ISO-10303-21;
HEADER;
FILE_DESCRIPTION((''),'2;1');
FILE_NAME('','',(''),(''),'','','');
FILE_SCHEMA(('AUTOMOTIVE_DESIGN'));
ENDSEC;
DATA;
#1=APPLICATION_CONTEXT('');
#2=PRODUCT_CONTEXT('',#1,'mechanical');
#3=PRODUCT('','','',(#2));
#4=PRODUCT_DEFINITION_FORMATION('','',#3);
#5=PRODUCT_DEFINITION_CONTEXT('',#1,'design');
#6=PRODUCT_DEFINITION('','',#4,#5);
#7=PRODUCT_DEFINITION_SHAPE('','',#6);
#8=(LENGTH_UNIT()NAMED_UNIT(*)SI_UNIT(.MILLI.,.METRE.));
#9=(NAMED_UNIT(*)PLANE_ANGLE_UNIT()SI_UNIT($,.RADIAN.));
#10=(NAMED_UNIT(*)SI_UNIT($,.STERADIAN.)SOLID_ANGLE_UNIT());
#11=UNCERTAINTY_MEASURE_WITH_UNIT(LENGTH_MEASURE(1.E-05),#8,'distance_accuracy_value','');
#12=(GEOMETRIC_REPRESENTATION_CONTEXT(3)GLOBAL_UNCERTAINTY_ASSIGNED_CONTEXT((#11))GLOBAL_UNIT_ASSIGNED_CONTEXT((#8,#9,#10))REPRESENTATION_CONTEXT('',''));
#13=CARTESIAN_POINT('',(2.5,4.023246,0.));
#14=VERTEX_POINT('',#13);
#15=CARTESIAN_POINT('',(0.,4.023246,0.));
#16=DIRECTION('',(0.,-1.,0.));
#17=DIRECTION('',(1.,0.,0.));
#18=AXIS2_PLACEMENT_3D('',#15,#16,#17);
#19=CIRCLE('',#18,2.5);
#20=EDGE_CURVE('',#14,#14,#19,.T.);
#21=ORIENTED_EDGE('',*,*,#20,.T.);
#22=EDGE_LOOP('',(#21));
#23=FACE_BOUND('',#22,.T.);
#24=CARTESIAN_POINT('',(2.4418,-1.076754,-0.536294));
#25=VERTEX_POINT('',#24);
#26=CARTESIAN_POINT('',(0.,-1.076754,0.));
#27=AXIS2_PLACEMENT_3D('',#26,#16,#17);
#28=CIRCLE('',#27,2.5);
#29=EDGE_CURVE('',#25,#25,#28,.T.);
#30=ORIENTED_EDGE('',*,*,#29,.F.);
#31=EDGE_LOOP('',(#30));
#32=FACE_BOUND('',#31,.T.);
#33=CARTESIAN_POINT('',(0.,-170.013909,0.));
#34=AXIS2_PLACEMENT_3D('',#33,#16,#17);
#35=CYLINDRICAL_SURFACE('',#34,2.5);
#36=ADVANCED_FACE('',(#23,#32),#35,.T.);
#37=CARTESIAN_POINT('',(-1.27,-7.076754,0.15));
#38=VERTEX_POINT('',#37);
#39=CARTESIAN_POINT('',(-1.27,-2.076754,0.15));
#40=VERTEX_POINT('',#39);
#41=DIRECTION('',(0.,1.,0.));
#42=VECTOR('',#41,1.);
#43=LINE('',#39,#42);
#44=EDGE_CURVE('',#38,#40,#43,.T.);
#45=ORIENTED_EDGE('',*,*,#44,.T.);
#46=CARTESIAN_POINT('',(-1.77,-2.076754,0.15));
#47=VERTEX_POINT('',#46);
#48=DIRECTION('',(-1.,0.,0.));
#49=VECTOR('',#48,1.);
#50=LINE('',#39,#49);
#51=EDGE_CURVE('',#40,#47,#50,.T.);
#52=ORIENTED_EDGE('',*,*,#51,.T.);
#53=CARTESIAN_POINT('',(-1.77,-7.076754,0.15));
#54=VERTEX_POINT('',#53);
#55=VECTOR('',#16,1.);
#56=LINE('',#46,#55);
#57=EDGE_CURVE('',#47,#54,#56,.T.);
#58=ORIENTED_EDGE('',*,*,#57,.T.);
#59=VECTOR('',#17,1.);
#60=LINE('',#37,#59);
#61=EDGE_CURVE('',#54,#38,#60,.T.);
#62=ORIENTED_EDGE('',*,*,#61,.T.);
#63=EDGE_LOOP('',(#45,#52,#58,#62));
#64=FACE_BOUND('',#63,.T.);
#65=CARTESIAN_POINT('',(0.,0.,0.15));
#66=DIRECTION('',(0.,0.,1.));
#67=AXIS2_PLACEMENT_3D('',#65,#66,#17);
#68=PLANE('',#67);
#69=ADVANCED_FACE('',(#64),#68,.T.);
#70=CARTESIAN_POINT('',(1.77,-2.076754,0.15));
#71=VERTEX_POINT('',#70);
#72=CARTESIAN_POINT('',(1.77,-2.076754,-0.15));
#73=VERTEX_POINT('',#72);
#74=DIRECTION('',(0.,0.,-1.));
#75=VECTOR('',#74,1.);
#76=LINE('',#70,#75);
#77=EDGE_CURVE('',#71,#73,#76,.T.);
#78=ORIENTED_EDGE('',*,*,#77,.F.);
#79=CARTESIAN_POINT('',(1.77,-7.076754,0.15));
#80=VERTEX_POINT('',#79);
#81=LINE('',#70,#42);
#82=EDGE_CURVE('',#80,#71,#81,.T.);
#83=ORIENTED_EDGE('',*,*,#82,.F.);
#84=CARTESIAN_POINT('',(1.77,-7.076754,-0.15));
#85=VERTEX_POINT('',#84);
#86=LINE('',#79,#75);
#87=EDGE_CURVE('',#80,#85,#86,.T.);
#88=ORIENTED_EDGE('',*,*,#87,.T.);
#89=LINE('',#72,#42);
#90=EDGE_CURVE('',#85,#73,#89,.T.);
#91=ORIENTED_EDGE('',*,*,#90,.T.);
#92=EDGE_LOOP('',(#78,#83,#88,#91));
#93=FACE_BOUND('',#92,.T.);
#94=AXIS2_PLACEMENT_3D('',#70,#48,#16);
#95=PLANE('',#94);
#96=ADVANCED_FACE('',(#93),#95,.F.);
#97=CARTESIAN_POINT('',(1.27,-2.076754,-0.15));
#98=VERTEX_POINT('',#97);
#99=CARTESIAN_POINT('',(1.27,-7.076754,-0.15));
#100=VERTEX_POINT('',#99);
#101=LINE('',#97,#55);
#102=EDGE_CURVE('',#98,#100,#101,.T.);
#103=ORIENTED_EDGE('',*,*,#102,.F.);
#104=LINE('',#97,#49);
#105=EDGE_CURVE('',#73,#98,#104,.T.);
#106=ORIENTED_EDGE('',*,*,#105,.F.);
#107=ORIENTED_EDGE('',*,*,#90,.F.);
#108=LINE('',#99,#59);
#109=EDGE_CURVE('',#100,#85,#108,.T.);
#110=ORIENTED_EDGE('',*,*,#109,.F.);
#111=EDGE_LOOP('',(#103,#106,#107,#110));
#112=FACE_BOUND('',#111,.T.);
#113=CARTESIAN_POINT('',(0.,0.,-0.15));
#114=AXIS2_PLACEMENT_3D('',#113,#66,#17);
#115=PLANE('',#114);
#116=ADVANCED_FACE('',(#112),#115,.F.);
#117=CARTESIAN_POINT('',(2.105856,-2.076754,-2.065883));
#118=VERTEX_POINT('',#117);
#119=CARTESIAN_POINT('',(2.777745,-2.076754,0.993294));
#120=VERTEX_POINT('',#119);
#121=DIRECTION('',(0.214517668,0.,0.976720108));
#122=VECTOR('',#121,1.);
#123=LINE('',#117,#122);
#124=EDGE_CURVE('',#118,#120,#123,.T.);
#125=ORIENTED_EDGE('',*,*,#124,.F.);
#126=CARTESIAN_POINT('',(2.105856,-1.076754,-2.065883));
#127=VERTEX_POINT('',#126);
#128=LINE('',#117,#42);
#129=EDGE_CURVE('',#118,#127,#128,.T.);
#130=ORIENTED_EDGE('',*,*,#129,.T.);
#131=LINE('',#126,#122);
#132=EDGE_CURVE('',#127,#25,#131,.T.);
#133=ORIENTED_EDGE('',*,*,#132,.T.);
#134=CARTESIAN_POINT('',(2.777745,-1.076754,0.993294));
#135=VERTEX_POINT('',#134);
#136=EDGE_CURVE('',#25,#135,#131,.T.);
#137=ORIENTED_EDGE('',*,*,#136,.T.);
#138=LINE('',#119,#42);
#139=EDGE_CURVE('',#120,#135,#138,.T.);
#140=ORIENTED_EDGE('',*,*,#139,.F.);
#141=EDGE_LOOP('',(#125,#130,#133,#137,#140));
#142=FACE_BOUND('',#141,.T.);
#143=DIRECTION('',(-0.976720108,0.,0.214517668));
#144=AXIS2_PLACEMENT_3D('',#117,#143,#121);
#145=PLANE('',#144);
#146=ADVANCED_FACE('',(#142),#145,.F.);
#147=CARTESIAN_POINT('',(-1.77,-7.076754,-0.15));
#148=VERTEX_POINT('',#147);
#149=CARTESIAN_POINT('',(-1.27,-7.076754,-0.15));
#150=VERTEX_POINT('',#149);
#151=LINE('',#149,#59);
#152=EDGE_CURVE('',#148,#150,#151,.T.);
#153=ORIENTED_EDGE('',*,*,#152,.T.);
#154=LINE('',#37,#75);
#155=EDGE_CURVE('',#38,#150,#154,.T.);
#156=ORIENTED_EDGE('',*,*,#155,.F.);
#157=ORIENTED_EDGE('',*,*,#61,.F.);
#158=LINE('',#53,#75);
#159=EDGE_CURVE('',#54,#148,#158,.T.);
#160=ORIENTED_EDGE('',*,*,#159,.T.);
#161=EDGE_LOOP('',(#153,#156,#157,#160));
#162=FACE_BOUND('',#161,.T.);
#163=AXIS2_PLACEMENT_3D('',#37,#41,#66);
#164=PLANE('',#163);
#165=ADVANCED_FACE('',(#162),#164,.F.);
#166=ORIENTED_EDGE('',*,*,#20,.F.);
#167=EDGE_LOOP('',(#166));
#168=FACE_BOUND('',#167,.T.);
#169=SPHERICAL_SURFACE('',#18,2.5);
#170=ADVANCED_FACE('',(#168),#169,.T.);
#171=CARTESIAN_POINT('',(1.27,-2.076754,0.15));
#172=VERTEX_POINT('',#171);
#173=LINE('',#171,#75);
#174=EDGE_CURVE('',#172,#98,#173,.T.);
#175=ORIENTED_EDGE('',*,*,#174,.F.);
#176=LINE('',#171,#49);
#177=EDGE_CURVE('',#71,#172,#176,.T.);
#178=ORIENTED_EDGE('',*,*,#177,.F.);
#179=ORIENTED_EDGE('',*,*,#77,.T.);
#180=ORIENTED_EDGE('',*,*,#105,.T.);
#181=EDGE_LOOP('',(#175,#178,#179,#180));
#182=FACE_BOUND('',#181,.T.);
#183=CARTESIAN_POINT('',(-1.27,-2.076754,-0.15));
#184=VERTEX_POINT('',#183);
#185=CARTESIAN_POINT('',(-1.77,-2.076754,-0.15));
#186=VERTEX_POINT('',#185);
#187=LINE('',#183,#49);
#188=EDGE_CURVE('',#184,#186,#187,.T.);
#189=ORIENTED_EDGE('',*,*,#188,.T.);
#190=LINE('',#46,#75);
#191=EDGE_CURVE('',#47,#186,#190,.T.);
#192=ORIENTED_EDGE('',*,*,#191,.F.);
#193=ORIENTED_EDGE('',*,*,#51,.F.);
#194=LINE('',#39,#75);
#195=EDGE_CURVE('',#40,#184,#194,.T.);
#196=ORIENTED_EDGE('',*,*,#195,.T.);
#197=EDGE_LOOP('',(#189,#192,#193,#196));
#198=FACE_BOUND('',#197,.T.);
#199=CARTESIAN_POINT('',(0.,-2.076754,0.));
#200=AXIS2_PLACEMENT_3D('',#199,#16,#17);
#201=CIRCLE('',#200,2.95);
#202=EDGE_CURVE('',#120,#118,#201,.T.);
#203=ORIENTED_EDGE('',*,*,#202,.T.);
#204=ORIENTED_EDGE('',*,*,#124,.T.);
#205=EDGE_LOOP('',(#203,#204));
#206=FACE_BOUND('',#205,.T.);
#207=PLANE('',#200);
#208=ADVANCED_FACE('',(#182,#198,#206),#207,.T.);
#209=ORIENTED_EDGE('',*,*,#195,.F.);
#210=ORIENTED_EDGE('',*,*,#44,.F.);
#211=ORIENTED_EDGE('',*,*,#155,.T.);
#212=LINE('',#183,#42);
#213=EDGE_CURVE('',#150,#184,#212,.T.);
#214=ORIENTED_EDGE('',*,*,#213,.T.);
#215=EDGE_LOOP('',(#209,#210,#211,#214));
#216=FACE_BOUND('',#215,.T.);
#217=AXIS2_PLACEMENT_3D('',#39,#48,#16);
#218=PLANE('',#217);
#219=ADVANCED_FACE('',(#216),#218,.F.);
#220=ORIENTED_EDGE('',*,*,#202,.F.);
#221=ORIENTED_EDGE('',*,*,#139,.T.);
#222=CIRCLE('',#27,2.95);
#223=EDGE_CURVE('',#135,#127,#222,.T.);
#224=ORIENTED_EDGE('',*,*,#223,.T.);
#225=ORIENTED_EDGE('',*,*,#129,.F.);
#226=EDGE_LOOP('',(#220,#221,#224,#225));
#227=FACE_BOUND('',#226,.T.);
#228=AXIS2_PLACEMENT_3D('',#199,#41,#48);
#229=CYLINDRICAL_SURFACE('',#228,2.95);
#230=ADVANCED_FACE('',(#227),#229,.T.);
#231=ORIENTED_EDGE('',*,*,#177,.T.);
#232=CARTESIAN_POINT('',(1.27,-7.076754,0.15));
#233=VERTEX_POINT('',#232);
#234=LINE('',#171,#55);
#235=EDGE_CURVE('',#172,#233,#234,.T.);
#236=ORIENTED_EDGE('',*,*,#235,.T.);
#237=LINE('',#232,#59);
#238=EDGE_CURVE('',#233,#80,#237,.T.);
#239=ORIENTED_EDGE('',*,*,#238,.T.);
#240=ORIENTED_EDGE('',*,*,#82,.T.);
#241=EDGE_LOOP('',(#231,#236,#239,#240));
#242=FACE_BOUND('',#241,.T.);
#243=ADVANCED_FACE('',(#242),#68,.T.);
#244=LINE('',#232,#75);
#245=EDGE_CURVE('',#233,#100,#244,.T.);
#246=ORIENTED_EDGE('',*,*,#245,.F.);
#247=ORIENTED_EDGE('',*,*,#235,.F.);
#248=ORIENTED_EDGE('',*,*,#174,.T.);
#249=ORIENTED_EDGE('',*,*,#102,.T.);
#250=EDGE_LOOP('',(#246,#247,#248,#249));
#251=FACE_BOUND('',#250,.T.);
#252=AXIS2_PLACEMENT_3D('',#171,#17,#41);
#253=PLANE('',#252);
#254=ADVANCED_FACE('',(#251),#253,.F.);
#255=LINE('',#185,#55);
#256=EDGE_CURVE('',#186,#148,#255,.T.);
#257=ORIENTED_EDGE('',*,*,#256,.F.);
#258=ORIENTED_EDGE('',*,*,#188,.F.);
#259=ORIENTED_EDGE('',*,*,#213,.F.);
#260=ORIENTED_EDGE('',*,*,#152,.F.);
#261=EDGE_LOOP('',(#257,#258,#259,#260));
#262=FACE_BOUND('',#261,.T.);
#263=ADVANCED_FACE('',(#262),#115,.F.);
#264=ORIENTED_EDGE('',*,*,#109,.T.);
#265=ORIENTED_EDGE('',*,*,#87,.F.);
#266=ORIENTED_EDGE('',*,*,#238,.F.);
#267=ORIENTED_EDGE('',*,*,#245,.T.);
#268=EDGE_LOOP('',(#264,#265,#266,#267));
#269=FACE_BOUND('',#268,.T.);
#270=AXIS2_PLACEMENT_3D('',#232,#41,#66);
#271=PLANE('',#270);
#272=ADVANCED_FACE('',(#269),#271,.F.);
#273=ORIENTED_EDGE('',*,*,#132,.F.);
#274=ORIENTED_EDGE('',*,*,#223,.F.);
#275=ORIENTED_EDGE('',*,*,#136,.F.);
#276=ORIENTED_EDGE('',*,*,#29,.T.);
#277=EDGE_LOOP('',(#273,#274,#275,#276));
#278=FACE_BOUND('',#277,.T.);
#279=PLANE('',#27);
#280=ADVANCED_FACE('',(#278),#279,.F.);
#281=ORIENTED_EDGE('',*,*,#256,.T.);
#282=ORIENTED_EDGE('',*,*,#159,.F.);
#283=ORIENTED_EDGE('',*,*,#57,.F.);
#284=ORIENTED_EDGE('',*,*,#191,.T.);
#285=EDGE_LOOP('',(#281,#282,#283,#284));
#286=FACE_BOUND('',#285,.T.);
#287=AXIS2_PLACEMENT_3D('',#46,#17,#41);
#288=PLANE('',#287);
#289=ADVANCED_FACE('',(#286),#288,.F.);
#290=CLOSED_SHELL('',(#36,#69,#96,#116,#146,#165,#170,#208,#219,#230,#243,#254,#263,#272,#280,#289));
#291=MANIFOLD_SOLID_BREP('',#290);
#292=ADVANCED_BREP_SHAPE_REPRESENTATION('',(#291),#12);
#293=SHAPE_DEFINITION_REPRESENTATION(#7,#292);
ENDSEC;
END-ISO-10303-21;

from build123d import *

# Parameters (mm, degrees)
BOSS_EXTRUDE1_DEPTH = 1
SKETCH4_W           = 0.5
SKETCH4_H           = 5
BOSS_EXTRUDE2_DEPTH = 0.15


with BuildPart() as part:
    # Sketch1 → Revolve1 (revolve)
    with BuildSketch(Plane.XY):
        with BuildLine():
            Line((2.5, 4.02324589), (2.5, -1.07675411))
            Line((2.5, -1.07675411), (0, -1.07675411))
            Line((0, -1.07675411), (0, 6.52324589))
            ThreePointArc((0, 6.52324589), (1.767766953, 5.791012843), (2.5, 4.02324589))
        make_face()
    revolve(axis=Axis((0, -170.01390881, 0), (0, 1, 0)))

    # Sketch2 → Boss-Extrude1 (add)
    with BuildSketch(Plane.XZ.offset(1.07675411)):
        with BuildLine():
            Line((2.10585574, -2.065882766), (2.777744802, 0.993294426))
            ThreePointArc((2.777744802, 0.993294426), (-2.88132432, 0.632827121), (2.10585574, -2.065882766))
        make_face()
    extrude(amount=BOSS_EXTRUDE1_DEPTH)

    # Sketch4 → Boss-Extrude2 (add, symmetric)
    with BuildSketch(Plane.XY):
        with Locations((1.52, -4.57675411)):
            Rectangle(SKETCH4_W, SKETCH4_H)
        with Locations((-1.52, -4.57675411)):
            Rectangle(SKETCH4_W, SKETCH4_H)
    extrude(amount=BOSS_EXTRUDE2_DEPTH, both=True)


solid = part.part
